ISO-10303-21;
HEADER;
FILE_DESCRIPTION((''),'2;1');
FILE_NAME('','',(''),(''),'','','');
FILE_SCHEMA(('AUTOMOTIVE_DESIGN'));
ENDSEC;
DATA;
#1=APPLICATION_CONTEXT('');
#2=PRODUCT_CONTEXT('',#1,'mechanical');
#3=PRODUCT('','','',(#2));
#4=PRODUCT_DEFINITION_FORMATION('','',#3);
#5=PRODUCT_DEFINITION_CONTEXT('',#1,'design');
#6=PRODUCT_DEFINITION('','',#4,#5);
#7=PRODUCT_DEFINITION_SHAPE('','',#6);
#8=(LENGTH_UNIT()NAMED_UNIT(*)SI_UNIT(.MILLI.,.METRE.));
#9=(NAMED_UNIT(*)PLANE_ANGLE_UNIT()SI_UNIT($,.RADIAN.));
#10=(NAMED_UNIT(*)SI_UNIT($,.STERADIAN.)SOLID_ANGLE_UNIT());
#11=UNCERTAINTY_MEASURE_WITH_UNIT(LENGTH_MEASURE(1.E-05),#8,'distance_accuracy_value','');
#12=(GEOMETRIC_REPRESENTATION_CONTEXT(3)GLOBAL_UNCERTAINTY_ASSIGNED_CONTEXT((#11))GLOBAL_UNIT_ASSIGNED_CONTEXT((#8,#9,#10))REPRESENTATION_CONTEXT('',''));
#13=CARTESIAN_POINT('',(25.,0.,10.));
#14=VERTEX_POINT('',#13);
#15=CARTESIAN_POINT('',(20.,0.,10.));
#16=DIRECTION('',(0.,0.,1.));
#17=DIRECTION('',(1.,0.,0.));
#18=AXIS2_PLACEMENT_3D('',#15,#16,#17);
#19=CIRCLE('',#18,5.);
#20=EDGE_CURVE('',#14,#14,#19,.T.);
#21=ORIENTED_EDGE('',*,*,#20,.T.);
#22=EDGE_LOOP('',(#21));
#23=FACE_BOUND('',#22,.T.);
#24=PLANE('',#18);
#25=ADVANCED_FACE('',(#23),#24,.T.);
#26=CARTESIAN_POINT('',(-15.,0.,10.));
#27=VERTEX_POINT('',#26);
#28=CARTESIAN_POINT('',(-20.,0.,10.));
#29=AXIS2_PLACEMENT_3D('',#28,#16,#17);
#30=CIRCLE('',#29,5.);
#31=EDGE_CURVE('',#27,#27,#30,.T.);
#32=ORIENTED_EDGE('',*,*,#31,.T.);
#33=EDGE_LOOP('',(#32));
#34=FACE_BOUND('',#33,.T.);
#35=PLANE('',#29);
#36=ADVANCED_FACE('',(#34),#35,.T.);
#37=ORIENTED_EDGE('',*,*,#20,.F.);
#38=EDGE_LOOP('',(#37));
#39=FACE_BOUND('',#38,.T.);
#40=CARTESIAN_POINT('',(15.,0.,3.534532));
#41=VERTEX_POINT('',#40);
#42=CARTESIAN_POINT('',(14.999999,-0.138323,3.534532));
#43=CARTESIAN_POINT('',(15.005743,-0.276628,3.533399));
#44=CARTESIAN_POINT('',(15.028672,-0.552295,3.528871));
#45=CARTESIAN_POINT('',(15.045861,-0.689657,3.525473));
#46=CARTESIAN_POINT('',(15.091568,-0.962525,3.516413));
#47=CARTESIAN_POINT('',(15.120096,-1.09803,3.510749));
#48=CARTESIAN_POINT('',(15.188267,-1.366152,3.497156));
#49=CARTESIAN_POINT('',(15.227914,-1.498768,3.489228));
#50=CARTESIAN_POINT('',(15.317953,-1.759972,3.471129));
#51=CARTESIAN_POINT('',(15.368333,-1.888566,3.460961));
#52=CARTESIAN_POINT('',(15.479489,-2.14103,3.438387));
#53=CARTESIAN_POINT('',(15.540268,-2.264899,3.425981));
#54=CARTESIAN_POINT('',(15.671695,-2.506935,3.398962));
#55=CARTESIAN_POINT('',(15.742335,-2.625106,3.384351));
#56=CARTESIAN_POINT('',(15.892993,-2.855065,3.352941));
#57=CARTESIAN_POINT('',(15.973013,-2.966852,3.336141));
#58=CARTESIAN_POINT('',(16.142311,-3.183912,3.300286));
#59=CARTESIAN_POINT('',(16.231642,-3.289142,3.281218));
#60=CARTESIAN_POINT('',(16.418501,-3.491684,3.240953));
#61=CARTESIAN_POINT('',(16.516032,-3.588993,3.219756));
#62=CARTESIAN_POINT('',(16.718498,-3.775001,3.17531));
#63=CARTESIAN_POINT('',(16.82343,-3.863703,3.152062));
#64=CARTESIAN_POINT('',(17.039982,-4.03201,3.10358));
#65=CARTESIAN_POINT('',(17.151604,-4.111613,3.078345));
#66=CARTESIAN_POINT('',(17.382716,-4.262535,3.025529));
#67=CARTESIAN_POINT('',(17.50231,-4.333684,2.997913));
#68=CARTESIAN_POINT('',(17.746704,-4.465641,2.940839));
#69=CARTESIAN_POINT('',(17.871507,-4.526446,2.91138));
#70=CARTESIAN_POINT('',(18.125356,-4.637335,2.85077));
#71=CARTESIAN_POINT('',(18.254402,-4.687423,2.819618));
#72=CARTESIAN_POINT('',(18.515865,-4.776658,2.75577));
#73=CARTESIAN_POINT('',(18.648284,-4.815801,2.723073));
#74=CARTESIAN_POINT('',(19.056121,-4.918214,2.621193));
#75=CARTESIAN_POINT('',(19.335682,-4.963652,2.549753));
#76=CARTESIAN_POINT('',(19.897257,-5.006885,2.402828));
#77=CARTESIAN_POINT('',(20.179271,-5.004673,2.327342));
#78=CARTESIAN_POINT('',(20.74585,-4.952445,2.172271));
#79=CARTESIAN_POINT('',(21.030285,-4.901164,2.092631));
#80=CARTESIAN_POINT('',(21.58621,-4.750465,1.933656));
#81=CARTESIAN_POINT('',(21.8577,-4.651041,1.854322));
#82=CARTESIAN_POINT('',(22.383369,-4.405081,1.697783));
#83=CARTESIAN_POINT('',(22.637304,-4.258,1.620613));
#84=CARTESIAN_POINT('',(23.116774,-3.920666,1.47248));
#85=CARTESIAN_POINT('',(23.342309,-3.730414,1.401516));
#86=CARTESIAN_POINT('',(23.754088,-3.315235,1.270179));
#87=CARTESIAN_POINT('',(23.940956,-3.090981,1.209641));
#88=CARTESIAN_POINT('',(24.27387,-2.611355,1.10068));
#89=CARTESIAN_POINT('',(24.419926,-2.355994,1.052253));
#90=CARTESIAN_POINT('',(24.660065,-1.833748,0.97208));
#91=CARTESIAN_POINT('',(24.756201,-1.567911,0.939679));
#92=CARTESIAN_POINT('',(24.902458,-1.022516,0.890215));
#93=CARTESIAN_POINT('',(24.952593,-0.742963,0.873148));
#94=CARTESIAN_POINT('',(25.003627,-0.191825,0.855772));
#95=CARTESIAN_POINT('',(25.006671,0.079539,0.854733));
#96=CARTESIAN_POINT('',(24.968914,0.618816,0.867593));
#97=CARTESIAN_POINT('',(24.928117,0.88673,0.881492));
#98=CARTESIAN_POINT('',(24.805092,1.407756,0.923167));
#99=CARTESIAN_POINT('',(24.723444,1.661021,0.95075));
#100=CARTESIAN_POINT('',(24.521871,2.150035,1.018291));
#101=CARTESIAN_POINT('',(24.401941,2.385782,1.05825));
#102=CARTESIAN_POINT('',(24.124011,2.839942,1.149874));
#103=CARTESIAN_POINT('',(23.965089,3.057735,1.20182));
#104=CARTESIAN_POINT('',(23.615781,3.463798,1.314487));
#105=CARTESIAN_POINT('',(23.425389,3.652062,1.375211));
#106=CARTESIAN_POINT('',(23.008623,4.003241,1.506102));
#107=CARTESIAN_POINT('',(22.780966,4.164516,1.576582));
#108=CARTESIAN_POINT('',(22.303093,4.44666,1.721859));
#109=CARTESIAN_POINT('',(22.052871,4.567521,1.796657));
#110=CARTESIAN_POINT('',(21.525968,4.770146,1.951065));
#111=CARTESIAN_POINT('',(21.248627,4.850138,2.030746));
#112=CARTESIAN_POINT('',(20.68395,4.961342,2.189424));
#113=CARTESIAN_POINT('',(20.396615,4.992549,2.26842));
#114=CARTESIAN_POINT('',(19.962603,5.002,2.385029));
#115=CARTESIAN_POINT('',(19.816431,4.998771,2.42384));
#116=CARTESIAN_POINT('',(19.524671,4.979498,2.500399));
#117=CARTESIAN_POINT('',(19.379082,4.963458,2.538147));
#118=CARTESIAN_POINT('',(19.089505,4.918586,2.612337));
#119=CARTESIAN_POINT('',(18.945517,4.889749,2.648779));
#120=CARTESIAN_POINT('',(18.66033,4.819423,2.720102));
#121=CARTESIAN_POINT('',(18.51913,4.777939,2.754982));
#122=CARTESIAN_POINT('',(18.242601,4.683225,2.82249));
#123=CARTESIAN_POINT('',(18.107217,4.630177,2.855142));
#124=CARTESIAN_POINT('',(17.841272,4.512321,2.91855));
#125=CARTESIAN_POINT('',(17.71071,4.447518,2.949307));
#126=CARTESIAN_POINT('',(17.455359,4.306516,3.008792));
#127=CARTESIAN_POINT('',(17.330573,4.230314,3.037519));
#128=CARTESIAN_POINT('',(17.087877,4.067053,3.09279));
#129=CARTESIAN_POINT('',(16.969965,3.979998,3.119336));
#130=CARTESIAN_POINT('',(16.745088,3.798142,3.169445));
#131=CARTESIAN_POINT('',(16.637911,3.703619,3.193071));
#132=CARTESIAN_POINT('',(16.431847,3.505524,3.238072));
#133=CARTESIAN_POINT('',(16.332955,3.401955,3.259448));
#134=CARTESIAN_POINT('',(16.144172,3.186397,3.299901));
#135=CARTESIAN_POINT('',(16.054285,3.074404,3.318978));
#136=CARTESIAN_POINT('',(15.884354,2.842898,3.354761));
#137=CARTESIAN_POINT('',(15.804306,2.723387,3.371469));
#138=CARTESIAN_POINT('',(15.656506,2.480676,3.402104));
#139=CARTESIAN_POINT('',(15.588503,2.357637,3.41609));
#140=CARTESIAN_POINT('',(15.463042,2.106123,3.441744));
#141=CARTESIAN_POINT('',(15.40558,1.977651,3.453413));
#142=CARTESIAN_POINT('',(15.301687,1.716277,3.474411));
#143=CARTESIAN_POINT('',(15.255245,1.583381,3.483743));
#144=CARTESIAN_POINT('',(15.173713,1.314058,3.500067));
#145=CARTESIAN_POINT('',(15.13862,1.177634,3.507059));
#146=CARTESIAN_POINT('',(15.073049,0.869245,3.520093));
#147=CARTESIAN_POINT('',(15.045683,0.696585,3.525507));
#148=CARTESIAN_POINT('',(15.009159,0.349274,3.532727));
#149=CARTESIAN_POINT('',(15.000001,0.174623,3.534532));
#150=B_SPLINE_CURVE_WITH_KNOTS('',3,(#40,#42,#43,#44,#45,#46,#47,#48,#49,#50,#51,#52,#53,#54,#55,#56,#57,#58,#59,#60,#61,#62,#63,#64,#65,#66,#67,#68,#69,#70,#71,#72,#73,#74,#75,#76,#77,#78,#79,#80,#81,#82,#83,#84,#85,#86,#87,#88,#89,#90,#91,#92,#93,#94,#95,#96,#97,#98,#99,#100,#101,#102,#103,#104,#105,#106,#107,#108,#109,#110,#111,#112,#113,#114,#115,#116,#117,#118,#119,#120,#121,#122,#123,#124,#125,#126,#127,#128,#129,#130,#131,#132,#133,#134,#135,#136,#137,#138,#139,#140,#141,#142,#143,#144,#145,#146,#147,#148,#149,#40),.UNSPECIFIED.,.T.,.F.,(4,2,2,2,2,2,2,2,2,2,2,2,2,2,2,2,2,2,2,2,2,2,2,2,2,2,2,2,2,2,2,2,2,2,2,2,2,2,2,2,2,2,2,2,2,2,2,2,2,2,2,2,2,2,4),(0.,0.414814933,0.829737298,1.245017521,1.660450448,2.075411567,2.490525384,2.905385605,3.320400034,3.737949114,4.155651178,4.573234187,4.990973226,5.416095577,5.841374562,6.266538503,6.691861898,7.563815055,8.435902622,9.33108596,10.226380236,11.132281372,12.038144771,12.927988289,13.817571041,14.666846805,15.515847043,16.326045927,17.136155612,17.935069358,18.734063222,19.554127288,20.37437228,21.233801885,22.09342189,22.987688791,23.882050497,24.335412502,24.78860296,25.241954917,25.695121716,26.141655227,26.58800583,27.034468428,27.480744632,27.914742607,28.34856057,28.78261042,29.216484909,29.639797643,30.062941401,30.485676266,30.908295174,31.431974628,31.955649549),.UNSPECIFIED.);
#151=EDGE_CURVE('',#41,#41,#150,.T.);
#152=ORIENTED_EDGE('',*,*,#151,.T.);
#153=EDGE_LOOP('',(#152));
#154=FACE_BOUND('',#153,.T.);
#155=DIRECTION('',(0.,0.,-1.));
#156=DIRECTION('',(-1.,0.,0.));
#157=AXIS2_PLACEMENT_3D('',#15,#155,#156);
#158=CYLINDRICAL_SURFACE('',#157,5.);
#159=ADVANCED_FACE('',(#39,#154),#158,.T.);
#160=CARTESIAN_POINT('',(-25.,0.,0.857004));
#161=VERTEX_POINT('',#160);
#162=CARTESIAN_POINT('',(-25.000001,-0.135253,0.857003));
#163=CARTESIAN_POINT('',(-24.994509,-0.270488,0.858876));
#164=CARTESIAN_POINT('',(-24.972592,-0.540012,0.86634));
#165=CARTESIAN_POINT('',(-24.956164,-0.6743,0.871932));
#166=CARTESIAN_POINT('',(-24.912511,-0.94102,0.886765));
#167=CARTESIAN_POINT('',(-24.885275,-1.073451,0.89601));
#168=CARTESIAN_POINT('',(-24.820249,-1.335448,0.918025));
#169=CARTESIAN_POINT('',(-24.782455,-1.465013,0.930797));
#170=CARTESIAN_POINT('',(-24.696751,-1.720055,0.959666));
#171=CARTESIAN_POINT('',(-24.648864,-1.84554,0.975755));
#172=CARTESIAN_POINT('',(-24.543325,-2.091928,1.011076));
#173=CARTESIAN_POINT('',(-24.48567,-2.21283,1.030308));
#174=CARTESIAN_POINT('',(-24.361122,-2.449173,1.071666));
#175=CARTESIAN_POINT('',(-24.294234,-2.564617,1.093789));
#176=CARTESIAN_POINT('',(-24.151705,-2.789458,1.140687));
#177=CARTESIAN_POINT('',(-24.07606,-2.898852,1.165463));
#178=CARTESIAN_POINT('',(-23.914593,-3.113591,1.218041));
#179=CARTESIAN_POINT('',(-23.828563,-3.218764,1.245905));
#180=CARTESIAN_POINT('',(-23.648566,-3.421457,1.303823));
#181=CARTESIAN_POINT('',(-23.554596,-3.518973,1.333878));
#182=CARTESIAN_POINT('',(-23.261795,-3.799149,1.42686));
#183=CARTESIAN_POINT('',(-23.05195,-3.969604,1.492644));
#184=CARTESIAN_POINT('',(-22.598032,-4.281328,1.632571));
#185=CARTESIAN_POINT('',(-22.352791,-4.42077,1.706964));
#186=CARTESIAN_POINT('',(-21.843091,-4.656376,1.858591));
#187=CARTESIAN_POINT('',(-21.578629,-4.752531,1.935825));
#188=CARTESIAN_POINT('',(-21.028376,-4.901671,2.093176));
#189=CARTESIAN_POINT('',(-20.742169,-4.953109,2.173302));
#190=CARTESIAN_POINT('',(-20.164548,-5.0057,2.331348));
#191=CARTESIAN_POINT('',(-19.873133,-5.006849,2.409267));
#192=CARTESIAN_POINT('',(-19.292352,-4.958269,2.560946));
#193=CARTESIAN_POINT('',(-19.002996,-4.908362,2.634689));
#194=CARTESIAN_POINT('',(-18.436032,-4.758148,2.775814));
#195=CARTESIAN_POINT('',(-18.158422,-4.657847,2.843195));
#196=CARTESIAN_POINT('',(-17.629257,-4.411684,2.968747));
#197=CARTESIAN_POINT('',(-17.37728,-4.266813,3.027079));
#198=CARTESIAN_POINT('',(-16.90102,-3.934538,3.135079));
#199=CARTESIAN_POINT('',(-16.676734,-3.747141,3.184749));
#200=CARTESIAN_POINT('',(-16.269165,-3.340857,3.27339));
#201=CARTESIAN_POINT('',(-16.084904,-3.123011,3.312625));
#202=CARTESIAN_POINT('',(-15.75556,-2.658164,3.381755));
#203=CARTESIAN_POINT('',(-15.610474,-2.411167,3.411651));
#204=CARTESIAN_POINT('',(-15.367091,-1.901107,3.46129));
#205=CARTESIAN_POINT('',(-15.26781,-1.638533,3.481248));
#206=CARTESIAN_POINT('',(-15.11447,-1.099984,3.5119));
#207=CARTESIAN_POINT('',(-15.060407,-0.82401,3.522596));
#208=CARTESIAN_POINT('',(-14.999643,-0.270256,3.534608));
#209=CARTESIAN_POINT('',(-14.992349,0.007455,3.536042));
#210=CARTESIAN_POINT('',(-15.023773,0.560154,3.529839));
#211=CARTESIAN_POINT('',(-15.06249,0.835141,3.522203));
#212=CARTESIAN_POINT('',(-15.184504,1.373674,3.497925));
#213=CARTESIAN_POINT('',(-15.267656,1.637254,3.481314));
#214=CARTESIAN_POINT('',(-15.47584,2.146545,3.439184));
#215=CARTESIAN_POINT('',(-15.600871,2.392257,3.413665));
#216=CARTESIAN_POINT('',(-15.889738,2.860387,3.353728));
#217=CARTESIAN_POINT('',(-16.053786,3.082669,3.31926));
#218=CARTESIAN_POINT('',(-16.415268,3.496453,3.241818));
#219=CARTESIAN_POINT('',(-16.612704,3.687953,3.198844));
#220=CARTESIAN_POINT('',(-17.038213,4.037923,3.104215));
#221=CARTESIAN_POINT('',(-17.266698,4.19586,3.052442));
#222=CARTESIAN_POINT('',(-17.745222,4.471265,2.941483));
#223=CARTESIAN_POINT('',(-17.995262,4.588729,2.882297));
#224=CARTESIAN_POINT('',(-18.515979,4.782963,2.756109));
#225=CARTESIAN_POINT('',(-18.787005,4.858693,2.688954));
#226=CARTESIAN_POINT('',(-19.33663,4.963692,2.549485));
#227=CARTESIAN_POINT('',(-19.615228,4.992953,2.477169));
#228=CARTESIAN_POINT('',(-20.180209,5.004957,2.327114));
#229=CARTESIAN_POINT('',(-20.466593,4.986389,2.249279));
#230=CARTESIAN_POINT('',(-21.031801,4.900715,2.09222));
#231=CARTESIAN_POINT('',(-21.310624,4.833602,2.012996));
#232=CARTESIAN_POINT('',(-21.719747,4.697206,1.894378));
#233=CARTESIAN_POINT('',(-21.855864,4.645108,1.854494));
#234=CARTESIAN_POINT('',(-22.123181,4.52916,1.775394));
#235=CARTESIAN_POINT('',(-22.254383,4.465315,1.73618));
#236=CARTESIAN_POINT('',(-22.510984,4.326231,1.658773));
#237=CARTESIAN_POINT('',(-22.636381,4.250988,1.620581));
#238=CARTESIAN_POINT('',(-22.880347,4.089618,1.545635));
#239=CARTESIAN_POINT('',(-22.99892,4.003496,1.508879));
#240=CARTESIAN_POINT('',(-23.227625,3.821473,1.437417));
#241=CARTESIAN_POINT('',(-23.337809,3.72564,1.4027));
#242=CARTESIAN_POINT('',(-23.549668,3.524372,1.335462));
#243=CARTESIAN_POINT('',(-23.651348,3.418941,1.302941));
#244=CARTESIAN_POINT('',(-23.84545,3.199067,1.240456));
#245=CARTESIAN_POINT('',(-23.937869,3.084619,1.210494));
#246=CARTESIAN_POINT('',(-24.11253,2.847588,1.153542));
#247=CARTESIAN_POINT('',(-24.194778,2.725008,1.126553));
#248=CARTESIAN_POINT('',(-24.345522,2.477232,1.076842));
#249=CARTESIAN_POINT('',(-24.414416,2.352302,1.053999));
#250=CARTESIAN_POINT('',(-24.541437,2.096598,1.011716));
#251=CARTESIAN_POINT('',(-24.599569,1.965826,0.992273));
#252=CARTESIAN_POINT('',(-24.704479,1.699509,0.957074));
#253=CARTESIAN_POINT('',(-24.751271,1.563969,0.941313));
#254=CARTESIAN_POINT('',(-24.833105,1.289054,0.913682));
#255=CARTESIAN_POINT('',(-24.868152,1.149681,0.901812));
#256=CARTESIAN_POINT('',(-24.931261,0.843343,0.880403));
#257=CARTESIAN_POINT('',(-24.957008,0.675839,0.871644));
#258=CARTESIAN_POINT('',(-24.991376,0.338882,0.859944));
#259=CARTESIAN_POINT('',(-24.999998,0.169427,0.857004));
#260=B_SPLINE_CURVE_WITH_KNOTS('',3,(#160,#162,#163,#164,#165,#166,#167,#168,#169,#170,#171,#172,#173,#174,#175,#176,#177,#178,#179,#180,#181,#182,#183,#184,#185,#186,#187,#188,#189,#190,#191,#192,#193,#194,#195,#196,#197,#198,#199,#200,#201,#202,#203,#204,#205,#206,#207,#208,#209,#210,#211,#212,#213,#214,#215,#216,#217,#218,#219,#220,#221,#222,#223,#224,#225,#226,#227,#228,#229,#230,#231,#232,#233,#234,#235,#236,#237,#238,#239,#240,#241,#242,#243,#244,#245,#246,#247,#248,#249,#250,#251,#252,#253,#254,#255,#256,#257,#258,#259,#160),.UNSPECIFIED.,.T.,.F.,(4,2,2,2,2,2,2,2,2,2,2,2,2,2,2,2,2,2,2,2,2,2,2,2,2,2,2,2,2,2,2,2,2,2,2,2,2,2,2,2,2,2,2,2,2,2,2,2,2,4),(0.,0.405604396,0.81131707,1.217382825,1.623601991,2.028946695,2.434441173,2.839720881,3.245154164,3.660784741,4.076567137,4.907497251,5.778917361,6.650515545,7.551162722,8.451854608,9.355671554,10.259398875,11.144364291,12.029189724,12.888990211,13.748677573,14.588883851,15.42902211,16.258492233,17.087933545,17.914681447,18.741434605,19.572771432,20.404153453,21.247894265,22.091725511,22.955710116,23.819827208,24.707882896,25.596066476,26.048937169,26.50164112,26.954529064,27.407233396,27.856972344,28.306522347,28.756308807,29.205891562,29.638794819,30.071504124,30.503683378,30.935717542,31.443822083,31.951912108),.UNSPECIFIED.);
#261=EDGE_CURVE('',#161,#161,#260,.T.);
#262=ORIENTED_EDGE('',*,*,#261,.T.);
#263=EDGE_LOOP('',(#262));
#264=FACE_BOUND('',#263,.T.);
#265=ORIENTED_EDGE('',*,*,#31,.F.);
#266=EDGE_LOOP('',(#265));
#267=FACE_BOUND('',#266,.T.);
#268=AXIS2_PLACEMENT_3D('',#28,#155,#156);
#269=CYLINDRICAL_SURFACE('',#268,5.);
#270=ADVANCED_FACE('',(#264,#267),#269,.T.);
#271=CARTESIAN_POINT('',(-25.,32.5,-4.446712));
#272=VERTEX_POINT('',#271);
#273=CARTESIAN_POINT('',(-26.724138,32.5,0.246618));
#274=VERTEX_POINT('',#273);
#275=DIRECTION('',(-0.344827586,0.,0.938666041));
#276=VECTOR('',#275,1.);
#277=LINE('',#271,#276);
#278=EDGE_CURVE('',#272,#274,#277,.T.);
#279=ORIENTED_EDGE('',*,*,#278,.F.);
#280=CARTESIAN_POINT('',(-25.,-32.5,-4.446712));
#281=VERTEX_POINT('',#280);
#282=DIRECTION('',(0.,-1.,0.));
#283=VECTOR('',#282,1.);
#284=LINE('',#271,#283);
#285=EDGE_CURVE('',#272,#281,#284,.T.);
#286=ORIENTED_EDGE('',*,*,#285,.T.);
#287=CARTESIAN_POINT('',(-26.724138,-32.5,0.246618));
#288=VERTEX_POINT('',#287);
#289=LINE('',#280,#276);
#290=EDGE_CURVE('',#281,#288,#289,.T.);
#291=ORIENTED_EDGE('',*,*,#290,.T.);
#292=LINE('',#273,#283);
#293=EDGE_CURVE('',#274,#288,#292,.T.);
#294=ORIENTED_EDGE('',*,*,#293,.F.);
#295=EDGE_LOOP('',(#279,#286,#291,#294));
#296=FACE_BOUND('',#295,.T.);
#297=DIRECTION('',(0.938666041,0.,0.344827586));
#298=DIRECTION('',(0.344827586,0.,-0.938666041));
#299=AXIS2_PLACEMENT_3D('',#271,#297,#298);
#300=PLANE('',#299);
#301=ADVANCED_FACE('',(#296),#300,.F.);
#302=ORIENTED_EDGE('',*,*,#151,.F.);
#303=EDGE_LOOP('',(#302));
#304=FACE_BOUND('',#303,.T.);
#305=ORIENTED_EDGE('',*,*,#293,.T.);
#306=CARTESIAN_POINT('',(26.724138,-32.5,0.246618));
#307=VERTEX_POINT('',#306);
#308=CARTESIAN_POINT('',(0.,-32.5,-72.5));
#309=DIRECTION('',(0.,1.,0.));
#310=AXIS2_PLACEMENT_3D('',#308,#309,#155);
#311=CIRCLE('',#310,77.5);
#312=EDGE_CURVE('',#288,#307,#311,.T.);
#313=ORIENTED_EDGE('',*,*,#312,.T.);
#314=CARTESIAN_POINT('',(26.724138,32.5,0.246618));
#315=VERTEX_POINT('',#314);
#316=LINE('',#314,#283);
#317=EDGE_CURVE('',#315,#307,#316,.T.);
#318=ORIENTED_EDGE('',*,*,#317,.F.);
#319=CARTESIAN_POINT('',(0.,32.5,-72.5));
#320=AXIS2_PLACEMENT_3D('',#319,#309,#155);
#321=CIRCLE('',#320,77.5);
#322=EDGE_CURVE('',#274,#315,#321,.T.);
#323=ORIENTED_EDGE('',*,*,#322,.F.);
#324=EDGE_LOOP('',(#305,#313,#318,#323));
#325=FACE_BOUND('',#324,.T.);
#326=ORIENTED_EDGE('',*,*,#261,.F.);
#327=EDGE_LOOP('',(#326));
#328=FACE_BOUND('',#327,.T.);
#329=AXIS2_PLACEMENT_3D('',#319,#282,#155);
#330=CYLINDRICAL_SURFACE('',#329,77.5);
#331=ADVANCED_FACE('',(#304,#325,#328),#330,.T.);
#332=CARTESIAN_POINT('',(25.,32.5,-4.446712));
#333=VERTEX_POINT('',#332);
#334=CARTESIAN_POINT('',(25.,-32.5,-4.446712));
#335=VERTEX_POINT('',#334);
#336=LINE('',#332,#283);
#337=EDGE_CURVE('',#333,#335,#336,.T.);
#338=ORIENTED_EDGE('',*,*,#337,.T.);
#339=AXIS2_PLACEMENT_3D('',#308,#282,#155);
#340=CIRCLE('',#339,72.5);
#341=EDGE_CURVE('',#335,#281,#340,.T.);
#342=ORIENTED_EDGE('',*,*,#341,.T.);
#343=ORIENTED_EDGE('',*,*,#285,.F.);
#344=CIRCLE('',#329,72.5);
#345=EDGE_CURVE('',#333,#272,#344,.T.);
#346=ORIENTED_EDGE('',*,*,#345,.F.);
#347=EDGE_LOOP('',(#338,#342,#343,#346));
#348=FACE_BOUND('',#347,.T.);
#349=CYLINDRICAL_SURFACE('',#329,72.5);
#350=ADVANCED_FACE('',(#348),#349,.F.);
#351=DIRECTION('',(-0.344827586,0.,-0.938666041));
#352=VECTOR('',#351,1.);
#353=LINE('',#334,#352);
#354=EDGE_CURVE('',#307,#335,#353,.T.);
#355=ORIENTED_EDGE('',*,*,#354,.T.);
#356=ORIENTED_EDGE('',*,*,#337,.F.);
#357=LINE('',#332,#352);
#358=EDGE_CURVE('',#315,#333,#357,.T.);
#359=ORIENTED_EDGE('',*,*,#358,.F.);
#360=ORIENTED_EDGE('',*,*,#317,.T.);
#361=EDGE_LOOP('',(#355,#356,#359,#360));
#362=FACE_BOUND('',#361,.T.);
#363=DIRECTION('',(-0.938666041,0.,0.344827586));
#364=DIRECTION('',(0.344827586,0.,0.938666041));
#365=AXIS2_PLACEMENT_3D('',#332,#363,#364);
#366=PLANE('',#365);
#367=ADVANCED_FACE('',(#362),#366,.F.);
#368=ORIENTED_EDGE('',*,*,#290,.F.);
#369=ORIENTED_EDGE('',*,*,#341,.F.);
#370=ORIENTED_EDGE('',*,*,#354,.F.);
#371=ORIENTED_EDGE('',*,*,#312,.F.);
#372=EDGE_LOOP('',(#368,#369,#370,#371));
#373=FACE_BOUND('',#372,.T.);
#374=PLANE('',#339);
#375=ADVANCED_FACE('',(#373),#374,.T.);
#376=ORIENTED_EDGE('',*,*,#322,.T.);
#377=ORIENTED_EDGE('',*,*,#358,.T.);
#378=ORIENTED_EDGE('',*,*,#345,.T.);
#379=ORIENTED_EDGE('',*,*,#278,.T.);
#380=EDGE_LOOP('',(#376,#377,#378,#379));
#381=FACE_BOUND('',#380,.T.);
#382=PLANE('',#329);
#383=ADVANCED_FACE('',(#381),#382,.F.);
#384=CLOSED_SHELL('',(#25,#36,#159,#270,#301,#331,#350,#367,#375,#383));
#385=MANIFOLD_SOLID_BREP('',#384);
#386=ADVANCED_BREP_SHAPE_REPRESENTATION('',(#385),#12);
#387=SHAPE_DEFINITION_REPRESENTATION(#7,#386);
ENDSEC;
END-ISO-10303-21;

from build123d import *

# Parameters (mm, degrees)
BOSS_EXTRUDE1_DEPTH = 32.5
SKETCH2_R           = 5
BOSS_EXTRUDE2_DEPTH = 10


with BuildPart() as part:
    # Sketch1 → Boss-Extrude1 (new, symmetric)
    with BuildSketch(Plane(origin=(0, 0, 0), x_dir=(1, 0, 0), z_dir=(0, 1, 0))):
        with BuildLine():
            Line((-25, 4.446712056), (-26.724137931, -0.246618147))
            ThreePointArc((-26.724137931, -0.246618147), (0, -5), (26.724137931, -0.246618147))
            Line((26.724137931, -0.246618147), (25, 4.446712056))
            ThreePointArc((25, 4.446712056), (0, 0), (-25, 4.446712056))
        make_face()
    extrude(amount=BOSS_EXTRUDE1_DEPTH, both=True)

    # Sketch2 → Boss-Extrude2 (add)
    with BuildSketch(Plane.XY):
        with Locations(Location((-20, 0, 0), (0, 0, 180))):
            Circle(SKETCH2_R)
        with Locations(Location((20, 0, 0), (0, 0, 180))):
            Circle(SKETCH2_R)
    extrude(amount=BOSS_EXTRUDE2_DEPTH)


solid = part.part
